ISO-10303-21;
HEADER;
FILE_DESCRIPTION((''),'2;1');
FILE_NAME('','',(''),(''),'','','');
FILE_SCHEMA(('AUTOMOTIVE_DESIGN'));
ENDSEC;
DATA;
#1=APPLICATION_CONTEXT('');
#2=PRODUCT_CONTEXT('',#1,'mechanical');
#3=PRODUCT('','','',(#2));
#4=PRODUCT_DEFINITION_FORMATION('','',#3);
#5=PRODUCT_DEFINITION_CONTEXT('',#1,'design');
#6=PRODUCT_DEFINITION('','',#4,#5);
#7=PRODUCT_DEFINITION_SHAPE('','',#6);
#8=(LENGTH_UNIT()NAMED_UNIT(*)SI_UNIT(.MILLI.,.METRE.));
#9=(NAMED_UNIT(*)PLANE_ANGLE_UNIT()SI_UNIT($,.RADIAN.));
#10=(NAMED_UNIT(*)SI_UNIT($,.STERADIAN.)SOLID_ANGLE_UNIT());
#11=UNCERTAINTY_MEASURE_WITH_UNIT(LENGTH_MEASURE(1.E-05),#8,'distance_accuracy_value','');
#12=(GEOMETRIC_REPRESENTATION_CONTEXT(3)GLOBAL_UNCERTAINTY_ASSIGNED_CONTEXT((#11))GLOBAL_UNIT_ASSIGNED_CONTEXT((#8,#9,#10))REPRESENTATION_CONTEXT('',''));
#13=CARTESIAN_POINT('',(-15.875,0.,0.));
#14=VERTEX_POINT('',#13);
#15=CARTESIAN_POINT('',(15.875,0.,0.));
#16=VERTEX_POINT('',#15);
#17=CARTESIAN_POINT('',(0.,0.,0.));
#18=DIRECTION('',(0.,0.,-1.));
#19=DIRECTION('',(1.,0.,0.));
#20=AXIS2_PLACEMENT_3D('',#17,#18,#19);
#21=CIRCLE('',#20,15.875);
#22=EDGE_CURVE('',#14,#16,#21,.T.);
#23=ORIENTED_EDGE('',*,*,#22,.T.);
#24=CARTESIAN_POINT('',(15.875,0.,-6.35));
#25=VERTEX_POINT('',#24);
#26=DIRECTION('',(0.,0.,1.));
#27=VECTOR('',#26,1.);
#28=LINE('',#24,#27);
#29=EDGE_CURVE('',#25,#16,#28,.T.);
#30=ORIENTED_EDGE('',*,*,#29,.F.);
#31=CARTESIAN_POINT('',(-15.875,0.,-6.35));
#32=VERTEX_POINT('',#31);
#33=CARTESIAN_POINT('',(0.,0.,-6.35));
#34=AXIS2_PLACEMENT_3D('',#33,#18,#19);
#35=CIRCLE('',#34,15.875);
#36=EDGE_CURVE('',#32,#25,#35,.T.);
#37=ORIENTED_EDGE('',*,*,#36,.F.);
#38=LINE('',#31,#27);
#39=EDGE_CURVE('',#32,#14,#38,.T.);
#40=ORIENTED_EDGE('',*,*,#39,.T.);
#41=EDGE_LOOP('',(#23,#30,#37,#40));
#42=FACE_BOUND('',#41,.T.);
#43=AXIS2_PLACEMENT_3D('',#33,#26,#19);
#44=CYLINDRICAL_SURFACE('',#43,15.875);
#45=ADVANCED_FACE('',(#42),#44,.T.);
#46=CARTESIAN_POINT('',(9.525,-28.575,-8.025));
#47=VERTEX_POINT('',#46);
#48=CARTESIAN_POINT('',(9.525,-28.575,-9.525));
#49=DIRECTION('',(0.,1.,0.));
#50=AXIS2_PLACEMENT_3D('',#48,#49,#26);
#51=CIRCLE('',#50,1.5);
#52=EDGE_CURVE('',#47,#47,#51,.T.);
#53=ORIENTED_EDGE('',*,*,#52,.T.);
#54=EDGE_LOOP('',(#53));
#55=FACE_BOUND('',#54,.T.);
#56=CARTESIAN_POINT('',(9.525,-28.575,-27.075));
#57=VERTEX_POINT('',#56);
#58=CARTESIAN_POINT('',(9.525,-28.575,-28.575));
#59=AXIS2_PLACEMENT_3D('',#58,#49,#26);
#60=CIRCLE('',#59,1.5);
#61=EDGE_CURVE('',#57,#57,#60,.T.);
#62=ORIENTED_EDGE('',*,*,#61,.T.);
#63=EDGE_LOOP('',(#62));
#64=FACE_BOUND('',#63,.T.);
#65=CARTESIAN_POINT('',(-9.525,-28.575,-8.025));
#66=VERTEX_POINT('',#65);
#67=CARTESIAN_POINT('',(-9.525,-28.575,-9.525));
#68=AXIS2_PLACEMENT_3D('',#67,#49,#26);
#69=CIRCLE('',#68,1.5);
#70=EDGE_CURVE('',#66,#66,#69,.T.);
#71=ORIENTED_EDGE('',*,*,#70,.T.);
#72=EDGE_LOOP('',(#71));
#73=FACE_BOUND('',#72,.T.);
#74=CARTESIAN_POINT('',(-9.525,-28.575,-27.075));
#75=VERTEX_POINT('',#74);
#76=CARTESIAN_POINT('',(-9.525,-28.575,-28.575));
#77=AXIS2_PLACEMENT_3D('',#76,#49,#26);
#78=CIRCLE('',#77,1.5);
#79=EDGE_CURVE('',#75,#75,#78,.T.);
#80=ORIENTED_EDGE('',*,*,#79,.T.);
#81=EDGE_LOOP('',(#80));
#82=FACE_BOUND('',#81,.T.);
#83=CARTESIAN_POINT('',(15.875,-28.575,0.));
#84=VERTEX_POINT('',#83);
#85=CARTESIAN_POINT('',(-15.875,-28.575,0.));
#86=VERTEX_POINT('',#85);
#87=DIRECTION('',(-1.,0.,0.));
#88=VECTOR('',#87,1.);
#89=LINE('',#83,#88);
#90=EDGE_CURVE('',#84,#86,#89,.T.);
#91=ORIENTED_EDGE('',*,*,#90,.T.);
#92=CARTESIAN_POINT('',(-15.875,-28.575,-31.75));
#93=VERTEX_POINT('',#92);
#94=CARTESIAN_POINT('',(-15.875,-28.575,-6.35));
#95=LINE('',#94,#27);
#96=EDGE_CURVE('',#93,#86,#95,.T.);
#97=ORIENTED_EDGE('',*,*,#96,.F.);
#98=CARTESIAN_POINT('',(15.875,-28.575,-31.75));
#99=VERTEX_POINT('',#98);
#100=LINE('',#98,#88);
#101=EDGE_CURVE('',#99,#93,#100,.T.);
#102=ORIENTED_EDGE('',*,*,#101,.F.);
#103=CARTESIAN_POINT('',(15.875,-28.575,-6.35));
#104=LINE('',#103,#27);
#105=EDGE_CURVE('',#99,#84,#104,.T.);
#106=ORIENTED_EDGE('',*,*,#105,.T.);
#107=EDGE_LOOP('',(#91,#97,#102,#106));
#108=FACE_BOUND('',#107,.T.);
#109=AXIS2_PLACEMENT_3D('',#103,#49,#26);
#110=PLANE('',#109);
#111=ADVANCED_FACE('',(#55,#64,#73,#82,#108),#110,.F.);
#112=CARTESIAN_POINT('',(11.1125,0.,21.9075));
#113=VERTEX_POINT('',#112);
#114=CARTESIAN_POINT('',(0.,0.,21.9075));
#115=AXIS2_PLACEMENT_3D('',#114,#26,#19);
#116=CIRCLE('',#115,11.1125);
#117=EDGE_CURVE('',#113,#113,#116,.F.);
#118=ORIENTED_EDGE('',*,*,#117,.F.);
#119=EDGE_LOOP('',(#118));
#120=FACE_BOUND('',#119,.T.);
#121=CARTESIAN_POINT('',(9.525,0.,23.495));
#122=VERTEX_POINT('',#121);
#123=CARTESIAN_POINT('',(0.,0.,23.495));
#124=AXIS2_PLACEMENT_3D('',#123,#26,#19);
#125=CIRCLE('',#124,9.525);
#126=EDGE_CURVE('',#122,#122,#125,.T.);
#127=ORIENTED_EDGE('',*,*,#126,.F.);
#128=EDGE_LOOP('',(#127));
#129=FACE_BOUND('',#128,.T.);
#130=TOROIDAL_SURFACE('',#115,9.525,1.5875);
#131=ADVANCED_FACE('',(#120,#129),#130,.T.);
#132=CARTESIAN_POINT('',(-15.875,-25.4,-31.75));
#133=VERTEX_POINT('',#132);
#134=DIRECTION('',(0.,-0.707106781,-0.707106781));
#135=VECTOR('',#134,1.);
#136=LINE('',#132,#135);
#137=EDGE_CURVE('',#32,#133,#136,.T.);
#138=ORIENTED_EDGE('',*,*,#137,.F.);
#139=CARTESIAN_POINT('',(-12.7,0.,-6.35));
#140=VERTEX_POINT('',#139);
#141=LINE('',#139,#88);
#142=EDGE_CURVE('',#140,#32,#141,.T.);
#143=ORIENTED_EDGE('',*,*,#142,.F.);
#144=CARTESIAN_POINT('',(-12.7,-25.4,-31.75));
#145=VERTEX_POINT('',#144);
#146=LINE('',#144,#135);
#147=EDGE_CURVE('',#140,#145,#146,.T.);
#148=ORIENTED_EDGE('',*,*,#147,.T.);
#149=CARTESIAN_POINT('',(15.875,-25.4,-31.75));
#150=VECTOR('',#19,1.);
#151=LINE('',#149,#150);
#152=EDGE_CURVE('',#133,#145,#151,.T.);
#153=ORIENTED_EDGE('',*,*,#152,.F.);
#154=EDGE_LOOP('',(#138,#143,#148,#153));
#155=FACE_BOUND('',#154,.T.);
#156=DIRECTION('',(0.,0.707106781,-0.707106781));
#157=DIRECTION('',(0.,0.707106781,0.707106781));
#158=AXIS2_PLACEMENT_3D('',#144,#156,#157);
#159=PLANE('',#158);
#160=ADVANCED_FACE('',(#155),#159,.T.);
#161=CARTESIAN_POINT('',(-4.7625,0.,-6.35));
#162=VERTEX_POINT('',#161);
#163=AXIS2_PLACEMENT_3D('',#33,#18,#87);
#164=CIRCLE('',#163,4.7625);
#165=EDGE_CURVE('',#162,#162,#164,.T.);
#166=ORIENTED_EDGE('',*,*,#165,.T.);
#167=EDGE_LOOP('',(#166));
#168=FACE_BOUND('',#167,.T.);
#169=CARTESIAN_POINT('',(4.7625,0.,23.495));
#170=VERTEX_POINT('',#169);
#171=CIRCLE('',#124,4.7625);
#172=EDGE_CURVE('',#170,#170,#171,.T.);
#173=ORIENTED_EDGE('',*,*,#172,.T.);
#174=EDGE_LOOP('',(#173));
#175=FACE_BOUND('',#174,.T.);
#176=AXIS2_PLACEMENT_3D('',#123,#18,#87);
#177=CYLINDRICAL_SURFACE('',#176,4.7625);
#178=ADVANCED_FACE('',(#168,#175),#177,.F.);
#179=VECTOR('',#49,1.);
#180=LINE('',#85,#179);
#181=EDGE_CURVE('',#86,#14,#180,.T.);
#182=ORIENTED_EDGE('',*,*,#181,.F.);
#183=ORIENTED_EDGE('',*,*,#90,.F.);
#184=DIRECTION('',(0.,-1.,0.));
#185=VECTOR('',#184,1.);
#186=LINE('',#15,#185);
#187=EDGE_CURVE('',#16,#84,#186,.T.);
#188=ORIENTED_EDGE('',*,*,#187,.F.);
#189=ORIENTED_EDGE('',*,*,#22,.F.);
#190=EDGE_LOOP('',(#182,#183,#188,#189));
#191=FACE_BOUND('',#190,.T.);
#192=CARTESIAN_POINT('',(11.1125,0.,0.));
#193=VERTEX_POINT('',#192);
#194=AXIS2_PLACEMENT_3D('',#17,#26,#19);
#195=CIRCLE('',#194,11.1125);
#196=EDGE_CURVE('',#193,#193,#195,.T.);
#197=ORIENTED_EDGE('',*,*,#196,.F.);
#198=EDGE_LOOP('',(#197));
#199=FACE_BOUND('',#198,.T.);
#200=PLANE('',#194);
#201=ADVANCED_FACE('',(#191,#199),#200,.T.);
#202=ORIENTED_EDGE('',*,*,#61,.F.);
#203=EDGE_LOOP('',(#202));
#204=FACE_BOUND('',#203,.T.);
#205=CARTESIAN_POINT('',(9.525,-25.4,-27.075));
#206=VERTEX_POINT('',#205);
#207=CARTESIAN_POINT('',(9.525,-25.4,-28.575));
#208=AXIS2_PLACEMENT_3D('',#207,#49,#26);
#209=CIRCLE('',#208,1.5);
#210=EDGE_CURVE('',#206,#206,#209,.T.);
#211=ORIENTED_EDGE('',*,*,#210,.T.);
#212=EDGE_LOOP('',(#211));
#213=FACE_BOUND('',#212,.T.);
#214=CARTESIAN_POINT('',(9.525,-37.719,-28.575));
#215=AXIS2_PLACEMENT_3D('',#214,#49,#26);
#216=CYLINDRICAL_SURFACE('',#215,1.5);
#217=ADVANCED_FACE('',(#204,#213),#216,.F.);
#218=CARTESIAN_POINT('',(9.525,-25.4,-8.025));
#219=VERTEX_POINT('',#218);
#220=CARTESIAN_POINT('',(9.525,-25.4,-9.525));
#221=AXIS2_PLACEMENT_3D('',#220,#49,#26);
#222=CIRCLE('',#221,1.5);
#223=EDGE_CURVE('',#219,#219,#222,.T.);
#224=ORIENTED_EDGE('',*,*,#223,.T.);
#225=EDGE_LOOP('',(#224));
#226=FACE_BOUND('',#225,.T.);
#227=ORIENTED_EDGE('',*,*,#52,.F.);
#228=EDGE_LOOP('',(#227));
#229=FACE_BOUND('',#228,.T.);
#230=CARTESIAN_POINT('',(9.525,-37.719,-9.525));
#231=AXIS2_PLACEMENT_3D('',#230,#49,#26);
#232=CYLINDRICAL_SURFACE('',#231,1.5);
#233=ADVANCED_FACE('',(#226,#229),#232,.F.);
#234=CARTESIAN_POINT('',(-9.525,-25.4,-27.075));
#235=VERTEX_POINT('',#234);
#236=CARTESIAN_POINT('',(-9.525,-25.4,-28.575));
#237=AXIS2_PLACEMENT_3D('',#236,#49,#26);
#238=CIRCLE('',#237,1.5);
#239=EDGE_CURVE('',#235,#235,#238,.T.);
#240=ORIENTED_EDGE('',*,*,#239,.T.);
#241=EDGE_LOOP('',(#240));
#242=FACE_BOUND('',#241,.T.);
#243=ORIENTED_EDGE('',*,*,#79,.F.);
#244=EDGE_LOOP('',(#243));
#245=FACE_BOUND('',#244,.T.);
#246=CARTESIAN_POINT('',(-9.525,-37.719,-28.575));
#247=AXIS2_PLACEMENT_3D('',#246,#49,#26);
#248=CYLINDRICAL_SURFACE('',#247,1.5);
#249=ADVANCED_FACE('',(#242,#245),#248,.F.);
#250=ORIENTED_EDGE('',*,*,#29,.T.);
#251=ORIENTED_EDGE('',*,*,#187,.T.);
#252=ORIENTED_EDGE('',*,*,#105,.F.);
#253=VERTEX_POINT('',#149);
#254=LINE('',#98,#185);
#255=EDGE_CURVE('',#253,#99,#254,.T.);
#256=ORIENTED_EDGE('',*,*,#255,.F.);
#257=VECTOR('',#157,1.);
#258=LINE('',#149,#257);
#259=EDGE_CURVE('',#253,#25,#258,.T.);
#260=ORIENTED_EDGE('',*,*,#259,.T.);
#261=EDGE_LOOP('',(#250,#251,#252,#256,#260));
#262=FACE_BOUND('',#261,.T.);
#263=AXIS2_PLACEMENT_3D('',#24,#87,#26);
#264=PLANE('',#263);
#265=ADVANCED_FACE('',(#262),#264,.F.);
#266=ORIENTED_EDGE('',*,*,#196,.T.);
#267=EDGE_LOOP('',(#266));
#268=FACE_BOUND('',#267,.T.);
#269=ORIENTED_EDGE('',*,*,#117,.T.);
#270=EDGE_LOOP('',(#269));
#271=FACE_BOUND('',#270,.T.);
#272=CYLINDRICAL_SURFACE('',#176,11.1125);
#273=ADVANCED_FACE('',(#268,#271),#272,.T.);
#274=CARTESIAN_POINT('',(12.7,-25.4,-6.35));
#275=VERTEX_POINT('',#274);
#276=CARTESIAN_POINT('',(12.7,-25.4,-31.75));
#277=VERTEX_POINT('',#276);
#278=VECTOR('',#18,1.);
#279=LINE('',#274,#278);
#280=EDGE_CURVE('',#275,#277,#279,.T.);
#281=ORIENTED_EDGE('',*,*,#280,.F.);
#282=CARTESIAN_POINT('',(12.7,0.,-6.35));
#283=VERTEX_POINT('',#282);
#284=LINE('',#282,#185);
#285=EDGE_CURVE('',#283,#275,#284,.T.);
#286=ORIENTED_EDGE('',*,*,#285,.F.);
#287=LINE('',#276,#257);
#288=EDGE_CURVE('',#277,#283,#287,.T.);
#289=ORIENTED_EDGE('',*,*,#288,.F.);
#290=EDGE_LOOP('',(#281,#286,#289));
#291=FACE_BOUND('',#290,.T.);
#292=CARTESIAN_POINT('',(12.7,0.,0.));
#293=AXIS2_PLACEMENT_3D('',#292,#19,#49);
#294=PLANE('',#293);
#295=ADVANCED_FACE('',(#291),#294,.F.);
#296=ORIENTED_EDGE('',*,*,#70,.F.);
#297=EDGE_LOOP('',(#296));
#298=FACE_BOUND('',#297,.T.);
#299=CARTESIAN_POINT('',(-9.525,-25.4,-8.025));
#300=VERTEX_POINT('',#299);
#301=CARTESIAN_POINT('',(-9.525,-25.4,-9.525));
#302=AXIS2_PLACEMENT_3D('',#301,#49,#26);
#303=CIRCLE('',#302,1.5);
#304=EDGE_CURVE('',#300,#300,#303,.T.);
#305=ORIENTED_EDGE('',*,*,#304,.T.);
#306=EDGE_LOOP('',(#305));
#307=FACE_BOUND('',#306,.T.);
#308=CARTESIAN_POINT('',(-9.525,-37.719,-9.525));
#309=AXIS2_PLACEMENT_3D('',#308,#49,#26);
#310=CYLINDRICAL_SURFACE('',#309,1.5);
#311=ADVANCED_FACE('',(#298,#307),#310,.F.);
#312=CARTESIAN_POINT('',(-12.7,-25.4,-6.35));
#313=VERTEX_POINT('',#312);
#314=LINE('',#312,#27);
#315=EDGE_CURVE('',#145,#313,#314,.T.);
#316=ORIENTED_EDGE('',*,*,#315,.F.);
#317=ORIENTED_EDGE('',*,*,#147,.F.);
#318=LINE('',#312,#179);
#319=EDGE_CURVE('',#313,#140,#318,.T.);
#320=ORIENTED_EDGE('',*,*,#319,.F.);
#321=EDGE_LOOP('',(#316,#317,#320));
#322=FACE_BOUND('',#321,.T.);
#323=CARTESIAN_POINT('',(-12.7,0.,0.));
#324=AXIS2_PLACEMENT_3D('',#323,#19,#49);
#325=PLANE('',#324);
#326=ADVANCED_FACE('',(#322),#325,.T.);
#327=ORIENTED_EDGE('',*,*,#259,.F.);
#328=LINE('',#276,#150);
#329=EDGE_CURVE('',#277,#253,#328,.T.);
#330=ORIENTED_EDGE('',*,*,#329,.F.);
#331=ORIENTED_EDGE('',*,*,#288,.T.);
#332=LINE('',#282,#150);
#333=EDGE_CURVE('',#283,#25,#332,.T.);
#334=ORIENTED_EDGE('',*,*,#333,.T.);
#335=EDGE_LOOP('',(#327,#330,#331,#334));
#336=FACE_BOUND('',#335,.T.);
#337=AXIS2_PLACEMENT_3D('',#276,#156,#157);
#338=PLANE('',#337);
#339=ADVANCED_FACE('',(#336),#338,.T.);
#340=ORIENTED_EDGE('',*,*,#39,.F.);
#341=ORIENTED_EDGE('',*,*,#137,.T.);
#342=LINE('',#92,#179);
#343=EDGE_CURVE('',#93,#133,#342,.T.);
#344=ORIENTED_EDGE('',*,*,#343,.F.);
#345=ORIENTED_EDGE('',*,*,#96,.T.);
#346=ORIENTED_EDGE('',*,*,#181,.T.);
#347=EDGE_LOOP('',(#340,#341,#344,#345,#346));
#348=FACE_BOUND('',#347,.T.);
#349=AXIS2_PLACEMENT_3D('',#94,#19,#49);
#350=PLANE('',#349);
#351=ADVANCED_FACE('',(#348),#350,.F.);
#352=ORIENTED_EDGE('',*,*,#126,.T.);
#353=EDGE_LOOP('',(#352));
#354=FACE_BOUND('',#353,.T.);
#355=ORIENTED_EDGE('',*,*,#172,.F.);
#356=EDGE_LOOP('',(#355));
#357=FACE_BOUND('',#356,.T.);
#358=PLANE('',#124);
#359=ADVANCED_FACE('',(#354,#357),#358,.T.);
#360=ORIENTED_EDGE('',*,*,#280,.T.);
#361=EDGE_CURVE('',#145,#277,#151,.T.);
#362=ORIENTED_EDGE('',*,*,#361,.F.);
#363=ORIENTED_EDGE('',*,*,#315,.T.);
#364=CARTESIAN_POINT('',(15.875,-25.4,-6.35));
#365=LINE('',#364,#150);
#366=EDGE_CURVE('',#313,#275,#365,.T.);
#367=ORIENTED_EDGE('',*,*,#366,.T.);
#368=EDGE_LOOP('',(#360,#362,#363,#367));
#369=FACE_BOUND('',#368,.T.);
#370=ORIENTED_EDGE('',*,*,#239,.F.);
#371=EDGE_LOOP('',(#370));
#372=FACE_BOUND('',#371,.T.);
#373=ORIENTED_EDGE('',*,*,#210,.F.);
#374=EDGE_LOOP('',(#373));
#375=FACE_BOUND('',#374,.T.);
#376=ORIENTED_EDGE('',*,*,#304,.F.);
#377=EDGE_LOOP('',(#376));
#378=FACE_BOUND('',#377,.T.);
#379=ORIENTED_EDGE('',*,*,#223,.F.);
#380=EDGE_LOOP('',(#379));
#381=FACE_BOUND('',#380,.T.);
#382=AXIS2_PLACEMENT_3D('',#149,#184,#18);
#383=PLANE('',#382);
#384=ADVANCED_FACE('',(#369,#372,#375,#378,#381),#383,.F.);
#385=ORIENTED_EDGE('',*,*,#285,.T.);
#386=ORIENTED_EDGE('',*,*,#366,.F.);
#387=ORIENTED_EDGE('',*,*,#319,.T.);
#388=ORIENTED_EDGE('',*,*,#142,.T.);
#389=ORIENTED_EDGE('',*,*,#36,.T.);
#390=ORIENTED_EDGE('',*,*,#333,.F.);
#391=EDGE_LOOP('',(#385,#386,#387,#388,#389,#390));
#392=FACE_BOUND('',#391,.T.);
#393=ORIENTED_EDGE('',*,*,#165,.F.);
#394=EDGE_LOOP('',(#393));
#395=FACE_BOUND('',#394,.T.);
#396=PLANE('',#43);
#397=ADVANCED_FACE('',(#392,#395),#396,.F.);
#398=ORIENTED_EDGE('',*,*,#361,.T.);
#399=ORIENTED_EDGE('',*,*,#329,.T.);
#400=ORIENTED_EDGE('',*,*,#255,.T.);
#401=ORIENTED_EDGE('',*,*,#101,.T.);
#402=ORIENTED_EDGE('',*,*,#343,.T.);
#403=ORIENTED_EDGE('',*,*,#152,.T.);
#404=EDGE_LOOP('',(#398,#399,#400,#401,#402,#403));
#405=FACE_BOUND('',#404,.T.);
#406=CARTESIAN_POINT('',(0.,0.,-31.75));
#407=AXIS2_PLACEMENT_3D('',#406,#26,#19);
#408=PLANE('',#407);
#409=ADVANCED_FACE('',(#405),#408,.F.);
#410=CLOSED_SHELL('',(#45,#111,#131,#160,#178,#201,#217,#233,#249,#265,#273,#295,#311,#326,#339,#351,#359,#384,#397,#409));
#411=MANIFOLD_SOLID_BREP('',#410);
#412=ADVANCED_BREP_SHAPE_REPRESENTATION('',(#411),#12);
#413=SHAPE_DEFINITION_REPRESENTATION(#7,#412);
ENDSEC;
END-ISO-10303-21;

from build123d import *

# Parameters (mm, degrees)
SKETCH1_R           = 11.1125
SKETCH1_R_2         = 4.7625
BOSS_EXTRUDE1_DEPTH = 23.495
SKETCH2_R           = 4.7625
BOSS_EXTRUDE2_DEPTH = 6.35
SKETCH3_W           = 31.75
SKETCH3_H           = 3.175
BOSS_EXTRUDE3_DEPTH = 25.4
BOSS_EXTRUDE4_DEPTH = 3.175
BOSS_EXTRUDE5_DEPTH = 3.175
SKETCH6_R           = 1.5
CUT_EXTRUDE1_DEPTH  = 12.319
FILLET1_R           = 1.5875


with BuildPart() as part:
    # Sketch1 → Boss-Extrude1 (new body)
    with BuildSketch(Plane.XY):
        Circle(SKETCH1_R)
        Circle(SKETCH1_R_2, mode=Mode.SUBTRACT)
    extrude(amount=BOSS_EXTRUDE1_DEPTH)

    # Sketch2 → Boss-Extrude2 (add)
    with BuildSketch(Plane(origin=(0, 0, 0), x_dir=(-1, 0, 0), z_dir=(0, 0, -1))):
        with BuildLine():
            Line((15.875, -28.575), (15.875, 0))
            ThreePointArc((15.875, 0), (0, 15.875), (-15.875, 0))
            Line((-15.875, 0), (-15.875, -28.575))
            Line((-15.875, -28.575), (15.875, -28.575))
        make_face()
        Circle(SKETCH2_R, mode=Mode.SUBTRACT)
    extrude(amount=BOSS_EXTRUDE2_DEPTH)

    # Sketch3 → Boss-Extrude3 (add)
    with BuildSketch(Plane(origin=(0, 0, -6.35), x_dir=(-1, 0, 0), z_dir=(0, 0, -1))):
        with Locations((0, -26.9875)):
            Rectangle(SKETCH3_W, SKETCH3_H)
    extrude(amount=BOSS_EXTRUDE3_DEPTH)

    # Sketch4 → Boss-Extrude4 (add)
    with BuildSketch(Plane.ZY.offset(15.875)):
        Polygon((-31.75, -25.4), (-6.35, 0), (-6.35, -25.4), align=None)
    extrude(amount=-BOSS_EXTRUDE4_DEPTH)

    # Sketch5 → Boss-Extrude5 (add)
    with BuildSketch(Plane(origin=(15.875, 0, 0), x_dir=(0, 0, -1), z_dir=(1, 0, 0))):
        Polygon((6.35, -25.4), (31.75, -25.4), (6.35, 0), align=None)
    extrude(amount=-BOSS_EXTRUDE5_DEPTH)

    # Sketch6 → Cut-Extrude1 (cut)
    with BuildSketch(Plane(origin=(0, -25.4, 0), x_dir=(1, 0, 0), z_dir=(0, 1, 0))):
        with Locations((-9.525, 28.575)):
            Circle(SKETCH6_R)
        with Locations((9.525, 28.575)):
            Circle(SKETCH6_R)
        with Locations((9.525, 9.525)):
            Circle(SKETCH6_R)
        with Locations((-9.525, 9.525)):
            Circle(SKETCH6_R)
    extrude(amount=-CUT_EXTRUDE1_DEPTH, mode=Mode.SUBTRACT)

    # Fillet1
    fillet1_edges = [part.edges().sort_by_distance(p)[0] for p in [
        (-11.1125, 0, 23.495),
    ]]
    fillet(fillet1_edges, radius=FILLET1_R)


solid = part.part
